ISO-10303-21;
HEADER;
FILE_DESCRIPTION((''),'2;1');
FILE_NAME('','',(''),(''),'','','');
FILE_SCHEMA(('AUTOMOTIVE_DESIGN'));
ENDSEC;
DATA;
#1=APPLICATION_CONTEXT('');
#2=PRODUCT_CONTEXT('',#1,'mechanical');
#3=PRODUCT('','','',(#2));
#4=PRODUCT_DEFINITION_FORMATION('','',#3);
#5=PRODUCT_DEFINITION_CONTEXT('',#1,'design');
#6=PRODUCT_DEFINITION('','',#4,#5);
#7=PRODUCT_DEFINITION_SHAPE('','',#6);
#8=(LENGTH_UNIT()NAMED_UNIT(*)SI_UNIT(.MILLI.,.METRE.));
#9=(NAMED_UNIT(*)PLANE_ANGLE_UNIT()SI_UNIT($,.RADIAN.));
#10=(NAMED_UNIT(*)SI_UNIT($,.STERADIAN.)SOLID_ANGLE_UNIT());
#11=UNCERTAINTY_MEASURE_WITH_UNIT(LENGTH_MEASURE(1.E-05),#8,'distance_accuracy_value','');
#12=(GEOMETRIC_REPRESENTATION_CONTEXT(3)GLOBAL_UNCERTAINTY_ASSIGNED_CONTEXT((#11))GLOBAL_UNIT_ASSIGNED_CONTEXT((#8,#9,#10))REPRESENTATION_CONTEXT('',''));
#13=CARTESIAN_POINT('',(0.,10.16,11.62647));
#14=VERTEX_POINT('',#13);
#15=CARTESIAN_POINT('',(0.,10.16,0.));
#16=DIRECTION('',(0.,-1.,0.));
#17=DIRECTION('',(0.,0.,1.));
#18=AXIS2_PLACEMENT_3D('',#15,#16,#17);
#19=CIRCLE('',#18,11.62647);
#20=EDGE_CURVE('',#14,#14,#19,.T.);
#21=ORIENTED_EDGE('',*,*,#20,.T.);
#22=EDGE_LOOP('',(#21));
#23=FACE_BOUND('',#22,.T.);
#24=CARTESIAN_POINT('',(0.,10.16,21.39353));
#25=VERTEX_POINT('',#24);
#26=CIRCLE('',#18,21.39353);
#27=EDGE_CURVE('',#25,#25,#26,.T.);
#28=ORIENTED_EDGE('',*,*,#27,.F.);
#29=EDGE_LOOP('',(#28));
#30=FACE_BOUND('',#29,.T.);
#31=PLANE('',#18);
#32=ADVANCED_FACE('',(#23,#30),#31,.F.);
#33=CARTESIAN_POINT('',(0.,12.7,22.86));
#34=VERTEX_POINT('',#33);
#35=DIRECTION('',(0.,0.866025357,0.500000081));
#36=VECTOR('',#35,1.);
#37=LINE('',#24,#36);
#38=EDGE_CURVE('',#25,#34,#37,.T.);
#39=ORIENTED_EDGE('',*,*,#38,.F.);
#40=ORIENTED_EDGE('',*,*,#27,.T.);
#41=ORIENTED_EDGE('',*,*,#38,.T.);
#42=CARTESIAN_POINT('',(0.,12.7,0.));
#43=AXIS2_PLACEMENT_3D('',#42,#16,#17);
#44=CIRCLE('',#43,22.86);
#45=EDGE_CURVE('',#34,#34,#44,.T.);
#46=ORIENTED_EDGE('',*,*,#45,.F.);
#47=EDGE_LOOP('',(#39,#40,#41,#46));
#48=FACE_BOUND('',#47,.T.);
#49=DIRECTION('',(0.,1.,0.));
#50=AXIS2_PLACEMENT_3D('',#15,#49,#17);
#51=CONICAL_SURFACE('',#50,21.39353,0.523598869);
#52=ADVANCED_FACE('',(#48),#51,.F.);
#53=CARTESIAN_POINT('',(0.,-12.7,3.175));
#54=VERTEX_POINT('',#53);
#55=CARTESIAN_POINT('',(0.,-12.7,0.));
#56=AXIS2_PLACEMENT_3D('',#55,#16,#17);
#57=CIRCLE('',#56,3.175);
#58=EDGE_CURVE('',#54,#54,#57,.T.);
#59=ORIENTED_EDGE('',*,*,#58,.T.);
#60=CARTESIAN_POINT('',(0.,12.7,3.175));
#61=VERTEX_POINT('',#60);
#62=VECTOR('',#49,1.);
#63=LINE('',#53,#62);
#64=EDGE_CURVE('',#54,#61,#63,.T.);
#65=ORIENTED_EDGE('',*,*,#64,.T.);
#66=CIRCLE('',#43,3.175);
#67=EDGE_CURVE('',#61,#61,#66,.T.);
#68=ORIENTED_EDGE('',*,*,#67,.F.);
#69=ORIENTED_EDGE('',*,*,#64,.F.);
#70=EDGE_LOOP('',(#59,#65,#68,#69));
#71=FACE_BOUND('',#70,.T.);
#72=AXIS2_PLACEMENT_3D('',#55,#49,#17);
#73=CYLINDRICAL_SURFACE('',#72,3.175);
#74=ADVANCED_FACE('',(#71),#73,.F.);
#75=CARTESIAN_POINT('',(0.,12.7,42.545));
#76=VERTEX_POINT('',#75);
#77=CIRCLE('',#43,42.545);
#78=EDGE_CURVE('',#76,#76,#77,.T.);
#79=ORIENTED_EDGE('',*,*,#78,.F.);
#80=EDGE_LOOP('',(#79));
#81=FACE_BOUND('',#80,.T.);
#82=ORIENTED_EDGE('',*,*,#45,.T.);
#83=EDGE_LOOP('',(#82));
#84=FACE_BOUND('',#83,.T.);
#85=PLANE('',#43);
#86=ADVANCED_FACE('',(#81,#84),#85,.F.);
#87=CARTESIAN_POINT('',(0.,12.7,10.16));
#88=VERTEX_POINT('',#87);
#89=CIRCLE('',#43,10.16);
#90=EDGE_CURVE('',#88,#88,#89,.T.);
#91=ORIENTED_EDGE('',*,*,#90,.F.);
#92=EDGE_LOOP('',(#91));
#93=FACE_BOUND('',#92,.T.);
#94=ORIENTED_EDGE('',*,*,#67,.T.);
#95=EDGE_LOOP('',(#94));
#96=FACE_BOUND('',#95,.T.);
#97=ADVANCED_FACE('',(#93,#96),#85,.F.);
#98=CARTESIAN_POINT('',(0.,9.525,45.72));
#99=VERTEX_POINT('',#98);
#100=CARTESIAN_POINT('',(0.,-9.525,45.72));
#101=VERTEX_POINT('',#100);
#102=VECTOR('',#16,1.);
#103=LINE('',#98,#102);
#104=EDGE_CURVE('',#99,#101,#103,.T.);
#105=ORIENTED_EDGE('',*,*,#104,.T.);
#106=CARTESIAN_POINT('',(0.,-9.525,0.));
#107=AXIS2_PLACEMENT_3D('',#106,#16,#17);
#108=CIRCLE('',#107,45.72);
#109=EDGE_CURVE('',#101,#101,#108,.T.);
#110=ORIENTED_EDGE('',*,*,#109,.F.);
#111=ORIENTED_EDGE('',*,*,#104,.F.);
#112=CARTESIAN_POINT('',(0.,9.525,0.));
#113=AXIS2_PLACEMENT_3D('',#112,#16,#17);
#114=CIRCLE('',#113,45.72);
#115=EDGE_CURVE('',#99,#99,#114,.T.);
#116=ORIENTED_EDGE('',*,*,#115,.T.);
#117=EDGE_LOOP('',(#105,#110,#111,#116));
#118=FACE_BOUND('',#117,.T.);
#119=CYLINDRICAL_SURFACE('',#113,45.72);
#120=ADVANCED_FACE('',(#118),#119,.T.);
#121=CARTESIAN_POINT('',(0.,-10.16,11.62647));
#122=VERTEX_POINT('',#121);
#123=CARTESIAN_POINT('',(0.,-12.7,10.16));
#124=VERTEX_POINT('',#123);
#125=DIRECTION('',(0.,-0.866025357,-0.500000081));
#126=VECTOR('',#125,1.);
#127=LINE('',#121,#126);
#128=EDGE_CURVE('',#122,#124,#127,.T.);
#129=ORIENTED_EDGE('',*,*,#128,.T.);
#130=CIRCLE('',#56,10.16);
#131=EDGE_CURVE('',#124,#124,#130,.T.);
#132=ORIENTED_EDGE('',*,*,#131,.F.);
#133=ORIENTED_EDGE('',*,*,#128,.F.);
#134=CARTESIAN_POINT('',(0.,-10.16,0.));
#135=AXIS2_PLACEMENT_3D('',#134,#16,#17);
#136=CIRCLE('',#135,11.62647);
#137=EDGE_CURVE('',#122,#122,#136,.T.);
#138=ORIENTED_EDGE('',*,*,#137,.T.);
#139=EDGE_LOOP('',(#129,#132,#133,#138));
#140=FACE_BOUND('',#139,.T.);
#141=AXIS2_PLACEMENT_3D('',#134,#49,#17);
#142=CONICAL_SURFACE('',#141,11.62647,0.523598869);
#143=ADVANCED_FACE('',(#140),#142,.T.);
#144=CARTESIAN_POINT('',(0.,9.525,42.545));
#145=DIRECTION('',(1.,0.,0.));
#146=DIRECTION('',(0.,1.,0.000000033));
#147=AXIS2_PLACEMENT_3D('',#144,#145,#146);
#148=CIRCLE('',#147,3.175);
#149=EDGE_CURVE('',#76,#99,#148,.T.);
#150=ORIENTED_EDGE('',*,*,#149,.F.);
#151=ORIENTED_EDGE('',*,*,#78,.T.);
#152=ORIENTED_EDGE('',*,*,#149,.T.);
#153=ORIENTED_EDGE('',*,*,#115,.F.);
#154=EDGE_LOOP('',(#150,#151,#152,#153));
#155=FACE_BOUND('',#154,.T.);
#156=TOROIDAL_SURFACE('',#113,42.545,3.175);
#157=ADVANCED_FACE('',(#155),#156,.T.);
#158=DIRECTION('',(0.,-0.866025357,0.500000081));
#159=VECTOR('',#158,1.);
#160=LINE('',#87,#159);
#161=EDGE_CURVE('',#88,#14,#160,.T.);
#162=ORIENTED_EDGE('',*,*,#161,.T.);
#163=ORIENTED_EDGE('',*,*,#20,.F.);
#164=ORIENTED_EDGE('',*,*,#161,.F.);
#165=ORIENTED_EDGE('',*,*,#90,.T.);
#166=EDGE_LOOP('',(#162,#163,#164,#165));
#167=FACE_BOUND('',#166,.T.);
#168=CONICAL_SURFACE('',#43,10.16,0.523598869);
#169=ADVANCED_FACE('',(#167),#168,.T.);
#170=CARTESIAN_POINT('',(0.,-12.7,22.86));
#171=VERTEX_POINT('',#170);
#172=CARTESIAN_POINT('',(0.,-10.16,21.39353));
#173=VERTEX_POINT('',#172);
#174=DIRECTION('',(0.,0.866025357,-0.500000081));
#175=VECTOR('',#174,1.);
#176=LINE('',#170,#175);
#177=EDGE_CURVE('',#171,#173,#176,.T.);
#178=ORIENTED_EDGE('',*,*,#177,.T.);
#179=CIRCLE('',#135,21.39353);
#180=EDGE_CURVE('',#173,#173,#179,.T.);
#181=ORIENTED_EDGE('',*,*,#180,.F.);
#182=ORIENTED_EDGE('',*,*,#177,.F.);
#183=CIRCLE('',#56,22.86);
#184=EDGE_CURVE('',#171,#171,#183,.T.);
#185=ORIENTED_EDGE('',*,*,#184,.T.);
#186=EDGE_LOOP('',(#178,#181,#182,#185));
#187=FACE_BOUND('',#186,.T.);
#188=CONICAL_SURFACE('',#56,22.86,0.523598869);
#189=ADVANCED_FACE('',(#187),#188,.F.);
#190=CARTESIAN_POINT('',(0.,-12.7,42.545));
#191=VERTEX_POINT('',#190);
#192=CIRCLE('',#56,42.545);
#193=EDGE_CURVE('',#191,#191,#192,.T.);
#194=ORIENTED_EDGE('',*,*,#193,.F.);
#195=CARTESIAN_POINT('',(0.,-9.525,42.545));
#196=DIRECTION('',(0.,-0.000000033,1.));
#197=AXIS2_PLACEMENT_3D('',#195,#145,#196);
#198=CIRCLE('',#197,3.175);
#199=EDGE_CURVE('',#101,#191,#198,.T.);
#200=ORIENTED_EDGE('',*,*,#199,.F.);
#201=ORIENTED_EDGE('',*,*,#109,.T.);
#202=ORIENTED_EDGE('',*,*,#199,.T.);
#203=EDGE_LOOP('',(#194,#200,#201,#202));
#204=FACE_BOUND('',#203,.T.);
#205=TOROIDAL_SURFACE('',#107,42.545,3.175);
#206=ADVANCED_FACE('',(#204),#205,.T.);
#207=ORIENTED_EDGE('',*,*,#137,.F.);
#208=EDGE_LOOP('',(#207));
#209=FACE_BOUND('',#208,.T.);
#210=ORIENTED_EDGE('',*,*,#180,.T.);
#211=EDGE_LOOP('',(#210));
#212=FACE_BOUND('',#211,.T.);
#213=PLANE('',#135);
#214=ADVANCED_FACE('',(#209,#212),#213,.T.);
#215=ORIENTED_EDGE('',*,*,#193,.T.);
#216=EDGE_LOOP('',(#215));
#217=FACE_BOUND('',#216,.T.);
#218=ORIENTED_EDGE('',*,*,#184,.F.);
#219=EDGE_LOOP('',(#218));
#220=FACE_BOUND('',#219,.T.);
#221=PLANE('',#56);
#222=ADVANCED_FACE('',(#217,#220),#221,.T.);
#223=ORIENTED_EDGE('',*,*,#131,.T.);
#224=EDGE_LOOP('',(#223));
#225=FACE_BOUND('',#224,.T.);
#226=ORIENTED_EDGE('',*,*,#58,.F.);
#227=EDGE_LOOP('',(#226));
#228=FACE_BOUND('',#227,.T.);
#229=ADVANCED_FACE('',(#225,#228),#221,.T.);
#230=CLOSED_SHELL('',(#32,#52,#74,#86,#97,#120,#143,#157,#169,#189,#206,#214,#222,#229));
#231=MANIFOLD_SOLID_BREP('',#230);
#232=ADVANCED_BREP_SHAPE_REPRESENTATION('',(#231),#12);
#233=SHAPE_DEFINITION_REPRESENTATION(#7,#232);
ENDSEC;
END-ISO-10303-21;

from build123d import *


with BuildPart() as f1:
    # F0 (on Right) → F1 (revolve)
    with BuildSketch(Plane.YZ):
        with BuildLine():
            Line((-12.7, 3.175), (12.7, 3.175))
            Line((12.7, 3.175), (12.7, 10.16))
            Line((12.7, 10.16), (10.16, 11.62647))
            Line((10.16, 11.62647), (10.16, 21.39353))
            Line((10.16, 21.39353), (12.7, 22.86))
            Line((12.7, 22.86), (12.7, 42.545))
            ThreePointArc((12.7, 42.545), (11.770064, 44.790064), (9.525, 45.72))
            Line((9.525, 45.72), (-9.525, 45.72))
            ThreePointArc((-9.525, 45.72), (-11.770064, 44.790064), (-12.7, 42.545))
            Line((-12.7, 42.545), (-12.7, 22.86))
            Line((-12.7, 22.86), (-10.16, 21.39353))
            Line((-10.16, 21.39353), (-10.16, 11.62647))
            Line((-10.16, 11.62647), (-12.7, 10.16))
            Line((-12.7, 10.16), (-12.7, 3.175))
        make_face()
    revolve(axis=Axis((0, -22.93878, 0), (0, -1, 0)))


solid = f1.part
